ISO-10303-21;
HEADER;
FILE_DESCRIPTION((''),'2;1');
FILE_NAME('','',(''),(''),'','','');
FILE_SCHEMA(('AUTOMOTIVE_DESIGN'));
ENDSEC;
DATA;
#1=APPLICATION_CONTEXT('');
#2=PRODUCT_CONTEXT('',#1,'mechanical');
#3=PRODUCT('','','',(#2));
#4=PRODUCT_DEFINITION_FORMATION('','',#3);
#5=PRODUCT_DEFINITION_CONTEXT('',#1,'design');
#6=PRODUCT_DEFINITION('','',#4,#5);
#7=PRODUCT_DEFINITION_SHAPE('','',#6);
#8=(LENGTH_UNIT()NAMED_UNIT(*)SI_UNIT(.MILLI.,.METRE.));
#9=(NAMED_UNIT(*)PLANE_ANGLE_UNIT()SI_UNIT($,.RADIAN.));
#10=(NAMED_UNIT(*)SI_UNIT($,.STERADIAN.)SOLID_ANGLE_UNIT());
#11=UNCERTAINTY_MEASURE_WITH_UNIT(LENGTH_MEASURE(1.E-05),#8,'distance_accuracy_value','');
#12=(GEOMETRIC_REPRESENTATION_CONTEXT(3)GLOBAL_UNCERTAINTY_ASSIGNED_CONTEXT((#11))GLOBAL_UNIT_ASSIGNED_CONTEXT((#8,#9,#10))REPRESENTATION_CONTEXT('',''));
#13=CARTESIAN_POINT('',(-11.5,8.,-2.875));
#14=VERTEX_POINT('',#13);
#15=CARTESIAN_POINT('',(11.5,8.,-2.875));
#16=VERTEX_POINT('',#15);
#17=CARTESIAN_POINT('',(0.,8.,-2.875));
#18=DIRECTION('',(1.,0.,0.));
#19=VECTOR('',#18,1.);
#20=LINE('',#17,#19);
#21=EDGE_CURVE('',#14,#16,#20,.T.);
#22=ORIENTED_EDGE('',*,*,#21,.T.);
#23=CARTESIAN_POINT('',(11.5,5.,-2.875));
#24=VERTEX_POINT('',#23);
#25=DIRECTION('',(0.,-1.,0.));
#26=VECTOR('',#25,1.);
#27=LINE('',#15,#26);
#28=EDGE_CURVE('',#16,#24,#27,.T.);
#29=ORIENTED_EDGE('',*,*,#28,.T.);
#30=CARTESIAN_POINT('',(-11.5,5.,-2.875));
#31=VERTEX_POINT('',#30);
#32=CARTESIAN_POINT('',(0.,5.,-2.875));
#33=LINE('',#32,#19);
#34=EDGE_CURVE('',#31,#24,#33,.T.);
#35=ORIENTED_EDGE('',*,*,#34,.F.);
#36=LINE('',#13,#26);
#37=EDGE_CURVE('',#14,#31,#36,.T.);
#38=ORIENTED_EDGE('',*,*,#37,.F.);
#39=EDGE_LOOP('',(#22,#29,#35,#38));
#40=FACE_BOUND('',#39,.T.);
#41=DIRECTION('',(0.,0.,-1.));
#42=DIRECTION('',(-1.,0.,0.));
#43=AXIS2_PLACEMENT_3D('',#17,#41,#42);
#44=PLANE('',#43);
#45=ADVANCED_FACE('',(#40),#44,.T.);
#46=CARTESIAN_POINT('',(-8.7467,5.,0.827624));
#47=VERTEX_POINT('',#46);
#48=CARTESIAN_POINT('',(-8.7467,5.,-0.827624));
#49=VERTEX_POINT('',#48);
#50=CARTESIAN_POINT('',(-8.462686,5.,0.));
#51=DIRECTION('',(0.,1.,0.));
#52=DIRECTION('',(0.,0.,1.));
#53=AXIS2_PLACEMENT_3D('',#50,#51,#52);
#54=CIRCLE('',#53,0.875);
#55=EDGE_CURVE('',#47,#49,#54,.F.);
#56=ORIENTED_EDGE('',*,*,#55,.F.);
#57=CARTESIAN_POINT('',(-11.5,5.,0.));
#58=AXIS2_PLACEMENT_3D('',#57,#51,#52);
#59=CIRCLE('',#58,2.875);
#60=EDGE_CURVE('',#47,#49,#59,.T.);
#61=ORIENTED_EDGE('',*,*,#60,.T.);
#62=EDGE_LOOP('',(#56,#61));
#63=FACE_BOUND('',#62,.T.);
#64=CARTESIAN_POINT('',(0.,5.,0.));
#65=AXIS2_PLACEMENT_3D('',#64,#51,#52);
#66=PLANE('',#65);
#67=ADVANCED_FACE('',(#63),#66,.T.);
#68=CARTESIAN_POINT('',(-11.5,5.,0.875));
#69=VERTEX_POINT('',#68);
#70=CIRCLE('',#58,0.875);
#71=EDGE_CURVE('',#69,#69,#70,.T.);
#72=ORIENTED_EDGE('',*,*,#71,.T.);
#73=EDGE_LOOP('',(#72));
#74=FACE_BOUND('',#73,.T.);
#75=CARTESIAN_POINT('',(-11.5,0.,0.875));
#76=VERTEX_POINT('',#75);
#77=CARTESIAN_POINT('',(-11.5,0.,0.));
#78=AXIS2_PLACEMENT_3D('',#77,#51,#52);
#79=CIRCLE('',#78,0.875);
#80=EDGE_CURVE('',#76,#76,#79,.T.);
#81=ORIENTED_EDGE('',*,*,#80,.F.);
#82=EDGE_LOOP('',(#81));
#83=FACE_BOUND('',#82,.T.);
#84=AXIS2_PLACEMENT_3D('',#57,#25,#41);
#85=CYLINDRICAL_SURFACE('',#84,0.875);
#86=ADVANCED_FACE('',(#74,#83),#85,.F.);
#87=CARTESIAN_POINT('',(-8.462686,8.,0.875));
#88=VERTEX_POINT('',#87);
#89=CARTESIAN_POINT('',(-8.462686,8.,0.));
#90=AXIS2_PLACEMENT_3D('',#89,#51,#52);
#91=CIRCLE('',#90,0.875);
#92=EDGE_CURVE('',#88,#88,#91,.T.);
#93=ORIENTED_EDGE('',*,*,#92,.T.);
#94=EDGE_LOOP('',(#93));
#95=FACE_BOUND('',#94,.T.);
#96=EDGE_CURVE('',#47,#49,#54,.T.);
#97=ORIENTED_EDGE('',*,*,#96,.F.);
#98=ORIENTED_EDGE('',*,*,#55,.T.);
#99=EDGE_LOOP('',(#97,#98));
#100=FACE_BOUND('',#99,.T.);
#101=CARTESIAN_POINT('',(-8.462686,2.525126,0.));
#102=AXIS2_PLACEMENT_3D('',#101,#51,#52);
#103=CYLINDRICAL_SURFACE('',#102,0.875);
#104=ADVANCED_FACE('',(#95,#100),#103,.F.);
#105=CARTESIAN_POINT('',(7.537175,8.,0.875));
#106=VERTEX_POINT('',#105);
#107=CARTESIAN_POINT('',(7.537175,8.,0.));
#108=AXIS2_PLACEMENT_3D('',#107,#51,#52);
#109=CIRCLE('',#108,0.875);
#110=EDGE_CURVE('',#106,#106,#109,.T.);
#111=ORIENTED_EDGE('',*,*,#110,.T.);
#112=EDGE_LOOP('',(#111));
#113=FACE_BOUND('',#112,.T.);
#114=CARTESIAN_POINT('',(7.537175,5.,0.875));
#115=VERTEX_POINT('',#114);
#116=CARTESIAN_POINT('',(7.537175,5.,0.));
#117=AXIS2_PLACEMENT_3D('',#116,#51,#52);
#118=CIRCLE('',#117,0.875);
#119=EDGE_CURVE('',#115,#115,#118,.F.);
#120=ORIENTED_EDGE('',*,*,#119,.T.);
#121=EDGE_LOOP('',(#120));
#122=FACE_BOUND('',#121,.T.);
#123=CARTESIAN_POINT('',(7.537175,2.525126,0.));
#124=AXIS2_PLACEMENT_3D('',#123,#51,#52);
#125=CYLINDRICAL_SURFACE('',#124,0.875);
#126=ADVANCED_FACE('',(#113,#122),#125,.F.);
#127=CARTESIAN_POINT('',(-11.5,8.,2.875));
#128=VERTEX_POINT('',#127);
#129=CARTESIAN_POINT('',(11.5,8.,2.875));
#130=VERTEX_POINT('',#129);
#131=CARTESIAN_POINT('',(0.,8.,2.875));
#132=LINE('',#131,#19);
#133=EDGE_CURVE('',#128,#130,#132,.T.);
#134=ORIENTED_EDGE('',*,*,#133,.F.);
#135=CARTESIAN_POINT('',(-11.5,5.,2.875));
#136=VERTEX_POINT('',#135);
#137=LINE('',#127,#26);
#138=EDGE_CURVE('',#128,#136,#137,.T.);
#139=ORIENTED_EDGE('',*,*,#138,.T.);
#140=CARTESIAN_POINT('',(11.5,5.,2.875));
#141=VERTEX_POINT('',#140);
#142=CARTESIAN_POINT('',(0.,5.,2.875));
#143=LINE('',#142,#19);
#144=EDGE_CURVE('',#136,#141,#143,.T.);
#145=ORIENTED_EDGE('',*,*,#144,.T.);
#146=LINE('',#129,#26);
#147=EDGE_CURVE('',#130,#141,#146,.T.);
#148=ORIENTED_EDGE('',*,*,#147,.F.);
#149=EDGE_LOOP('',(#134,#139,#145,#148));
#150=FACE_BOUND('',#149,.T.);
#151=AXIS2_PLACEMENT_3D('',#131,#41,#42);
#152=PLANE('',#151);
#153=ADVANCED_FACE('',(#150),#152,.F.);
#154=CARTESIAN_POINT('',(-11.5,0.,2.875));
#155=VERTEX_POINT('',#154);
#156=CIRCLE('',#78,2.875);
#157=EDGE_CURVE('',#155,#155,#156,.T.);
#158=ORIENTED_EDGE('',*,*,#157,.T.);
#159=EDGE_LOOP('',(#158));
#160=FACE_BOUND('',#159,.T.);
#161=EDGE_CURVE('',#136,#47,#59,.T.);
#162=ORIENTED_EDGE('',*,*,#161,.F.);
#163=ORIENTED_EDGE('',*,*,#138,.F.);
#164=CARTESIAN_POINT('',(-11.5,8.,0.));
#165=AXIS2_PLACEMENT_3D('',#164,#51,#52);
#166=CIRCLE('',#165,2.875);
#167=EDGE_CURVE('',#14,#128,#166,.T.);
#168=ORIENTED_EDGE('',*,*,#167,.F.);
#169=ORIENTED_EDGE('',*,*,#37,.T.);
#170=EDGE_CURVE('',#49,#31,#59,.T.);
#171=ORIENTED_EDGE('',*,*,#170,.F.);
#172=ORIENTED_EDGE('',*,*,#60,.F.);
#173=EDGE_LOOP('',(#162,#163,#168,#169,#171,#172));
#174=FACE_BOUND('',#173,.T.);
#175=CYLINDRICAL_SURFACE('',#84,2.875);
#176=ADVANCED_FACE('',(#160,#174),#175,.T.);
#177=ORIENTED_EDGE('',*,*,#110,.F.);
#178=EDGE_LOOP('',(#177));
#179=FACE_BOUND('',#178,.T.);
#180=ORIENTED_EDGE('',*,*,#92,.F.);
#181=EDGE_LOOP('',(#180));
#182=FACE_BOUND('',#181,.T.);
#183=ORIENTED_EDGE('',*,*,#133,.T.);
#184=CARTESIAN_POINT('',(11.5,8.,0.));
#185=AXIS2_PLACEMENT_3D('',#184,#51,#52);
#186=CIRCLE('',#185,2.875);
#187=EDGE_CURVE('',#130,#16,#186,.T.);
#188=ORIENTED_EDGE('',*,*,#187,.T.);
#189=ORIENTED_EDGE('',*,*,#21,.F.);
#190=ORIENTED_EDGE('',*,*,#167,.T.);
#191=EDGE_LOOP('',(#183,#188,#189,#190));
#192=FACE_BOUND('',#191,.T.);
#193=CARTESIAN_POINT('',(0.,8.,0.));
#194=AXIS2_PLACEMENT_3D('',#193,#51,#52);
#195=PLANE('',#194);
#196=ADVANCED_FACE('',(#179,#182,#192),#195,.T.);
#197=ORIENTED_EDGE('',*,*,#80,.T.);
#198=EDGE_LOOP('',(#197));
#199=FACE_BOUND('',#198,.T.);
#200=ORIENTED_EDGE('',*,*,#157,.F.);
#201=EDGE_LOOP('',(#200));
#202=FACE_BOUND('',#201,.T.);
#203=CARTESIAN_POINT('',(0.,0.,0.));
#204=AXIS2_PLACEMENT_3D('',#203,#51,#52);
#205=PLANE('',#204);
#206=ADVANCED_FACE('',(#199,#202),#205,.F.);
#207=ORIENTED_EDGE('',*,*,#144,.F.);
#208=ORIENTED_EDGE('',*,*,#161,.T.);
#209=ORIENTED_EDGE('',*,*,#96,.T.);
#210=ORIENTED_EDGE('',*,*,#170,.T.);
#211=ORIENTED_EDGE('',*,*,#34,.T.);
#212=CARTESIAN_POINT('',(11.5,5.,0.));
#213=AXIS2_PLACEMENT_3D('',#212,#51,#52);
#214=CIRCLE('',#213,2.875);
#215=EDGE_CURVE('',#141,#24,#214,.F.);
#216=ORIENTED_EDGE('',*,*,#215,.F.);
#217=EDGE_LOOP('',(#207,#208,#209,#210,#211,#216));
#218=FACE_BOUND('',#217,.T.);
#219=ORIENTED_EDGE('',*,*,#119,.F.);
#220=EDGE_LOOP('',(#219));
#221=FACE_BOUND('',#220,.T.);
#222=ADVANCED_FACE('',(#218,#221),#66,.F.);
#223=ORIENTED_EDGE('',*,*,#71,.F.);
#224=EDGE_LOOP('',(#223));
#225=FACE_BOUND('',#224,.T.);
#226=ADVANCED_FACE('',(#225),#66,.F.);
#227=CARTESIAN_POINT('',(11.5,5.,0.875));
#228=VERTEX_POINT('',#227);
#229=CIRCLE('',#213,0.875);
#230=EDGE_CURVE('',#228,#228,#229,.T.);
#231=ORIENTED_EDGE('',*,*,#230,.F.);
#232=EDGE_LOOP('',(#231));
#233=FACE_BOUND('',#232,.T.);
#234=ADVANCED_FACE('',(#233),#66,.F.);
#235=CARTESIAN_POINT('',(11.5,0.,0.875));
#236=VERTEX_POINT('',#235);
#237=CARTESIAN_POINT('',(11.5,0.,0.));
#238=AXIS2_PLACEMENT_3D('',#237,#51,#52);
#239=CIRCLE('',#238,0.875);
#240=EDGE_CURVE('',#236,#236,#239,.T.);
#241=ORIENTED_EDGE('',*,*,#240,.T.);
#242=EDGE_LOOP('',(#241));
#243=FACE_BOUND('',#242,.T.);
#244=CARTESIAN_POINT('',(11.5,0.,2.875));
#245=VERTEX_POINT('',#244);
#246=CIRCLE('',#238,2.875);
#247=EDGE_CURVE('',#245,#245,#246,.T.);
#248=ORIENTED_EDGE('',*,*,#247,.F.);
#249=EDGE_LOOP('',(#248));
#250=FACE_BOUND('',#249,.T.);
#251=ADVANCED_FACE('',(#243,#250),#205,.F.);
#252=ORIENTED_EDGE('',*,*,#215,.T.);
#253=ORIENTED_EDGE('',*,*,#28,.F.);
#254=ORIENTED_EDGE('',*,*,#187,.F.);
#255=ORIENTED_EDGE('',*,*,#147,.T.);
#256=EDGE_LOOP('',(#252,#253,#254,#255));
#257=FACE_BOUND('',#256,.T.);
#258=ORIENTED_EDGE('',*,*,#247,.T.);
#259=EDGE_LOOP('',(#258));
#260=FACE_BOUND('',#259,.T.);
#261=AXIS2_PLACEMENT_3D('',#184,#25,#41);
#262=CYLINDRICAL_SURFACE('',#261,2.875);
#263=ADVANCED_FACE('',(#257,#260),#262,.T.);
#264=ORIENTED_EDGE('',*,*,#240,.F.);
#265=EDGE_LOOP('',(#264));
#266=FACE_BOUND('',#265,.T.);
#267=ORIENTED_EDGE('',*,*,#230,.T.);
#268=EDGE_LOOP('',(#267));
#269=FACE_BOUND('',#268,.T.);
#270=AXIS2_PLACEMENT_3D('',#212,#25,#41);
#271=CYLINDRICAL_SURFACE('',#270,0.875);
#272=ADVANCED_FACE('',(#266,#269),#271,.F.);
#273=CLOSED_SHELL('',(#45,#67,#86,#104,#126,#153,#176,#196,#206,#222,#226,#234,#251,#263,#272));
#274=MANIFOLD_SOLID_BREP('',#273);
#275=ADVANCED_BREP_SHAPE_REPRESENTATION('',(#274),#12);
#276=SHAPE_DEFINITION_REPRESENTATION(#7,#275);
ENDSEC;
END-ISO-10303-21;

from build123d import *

# Parameters (mm, degrees)
SKETCH1_R             = 2.875
SKETCH1_R_2           = 0.875
BOSS_EXTRUDE1_DEPTH   = 5
BOSS_EXTRUDE1_2_DEPTH = 5
BOSS_EXTRUDE2_DEPTH   = 3
SKETCH3_R             = 0.875
CUT_EXTRUDE1_DEPTH    = 3


with BuildPart() as part:
    # Sketch1 → Boss-Extrude1 (new body)
    with BuildSketch(Plane(origin=(0, 0, 0), x_dir=(1, 0, 0), z_dir=(0, 1, 0))):
        with Locations((-11.5, 0)):
            Circle(SKETCH1_R)
        with Locations((-11.5, 0)):
            Circle(SKETCH1_R_2, mode=Mode.SUBTRACT)
    extrude(amount=BOSS_EXTRUDE1_DEPTH)



with BuildPart() as body_2:
    # Sketch1 → Boss-Extrude1 2 (new body)
    with BuildSketch(Plane(origin=(0, 0, 0), x_dir=(1, 0, 0), z_dir=(0, 1, 0))):
        with Locations((11.5, 0)):
            Circle(SKETCH1_R)
        with Locations((11.5, 0)):
            Circle(SKETCH1_R_2, mode=Mode.SUBTRACT)
    extrude(amount=BOSS_EXTRUDE1_2_DEPTH)


with BuildPart() as part_1:
    add(part.part)

    add(body_2.part)  # Boss-Extrude2 merges body 2
    # Sketch2 → Boss-Extrude2 (add)
    with BuildSketch(Plane(origin=(0, 5, 0), x_dir=(1, 0, 0), z_dir=(0, 1, 0))):
        with BuildLine():
            ThreePointArc((-10.625, 0), (-10.881281566, 0.618718434), (-11.5, 0.875))
            Line((-11.5, 0.875), (-11.5, -0.875))
            ThreePointArc((-11.5, -0.875), (-10.881281566, -0.618718434), (-10.625, 0))
        make_face()
        with BuildLine():
            Line((-11.5, -0.875), (-11.5, 0.875))
            ThreePointArc((-11.5, 0.875), (-12.375, 0), (-11.5, -0.875))
        make_face()
        with BuildLine():
            ThreePointArc((-8.625, 0), (-9.467068004, 2.032931996), (-11.5, 2.875))
            Line((-11.5, 2.875), (-11.5, 0.875))
            ThreePointArc((-11.5, 0.875), (-10.881281566, 0.618718434), (-10.625, 0))
            ThreePointArc((-10.625, 0), (-10.881281566, -0.618718434), (-11.5, -0.875))
            Line((-11.5, -0.875), (-11.5, -2.875))
            ThreePointArc((-11.5, -2.875), (-9.467068004, -2.032931996), (-8.625, 0))
        make_face()
        with BuildLine():
            Line((-11.5, 0.875), (-11.5, 2.875))
            ThreePointArc((-11.5, 2.875), (-14.375, 0), (-11.5, -2.875))
            Line((-11.5, -2.875), (-11.5, -0.875))
            ThreePointArc((-11.5, -0.875), (-12.375, 0), (-11.5, 0.875))
        make_face()
        with BuildLine():
            Line((11.5, 2.875), (-11.5, 2.875))
            ThreePointArc((-11.5, 2.875), (-9.467068004, 2.032931996), (-8.625, 0))
            ThreePointArc((-8.625, 0), (-9.467068004, -2.032931996), (-11.5, -2.875))
            Line((-11.5, -2.875), (11.5, -2.875))
            ThreePointArc((11.5, -2.875), (8.625, 0), (11.5, 2.875))
        make_face()
        with BuildLine():
            ThreePointArc((14.375, 0), (13.532931996, 2.032931996), (11.5, 2.875))
            Line((11.5, 2.875), (11.5, -2.875))
            ThreePointArc((11.5, -2.875), (13.532931996, -2.032931996), (14.375, 0))
        make_face()
        with BuildLine():
            Line((11.5, -2.875), (11.5, 2.875))
            ThreePointArc((11.5, 2.875), (8.625, 0), (11.5, -2.875))
        make_face()
    extrude(amount=BOSS_EXTRUDE2_DEPTH)

    # Sketch3 → Cut-Extrude1 (cut)
    with BuildSketch(Plane(origin=(0, 8, 0), x_dir=(1, 0, 0), z_dir=(0, 1, 0))):
        with Locations((-8.4626864, 0)):
            Circle(SKETCH3_R)
        with Locations((7.537175494, 0)):
            Circle(SKETCH3_R)
    extrude(amount=-CUT_EXTRUDE1_DEPTH, mode=Mode.SUBTRACT)


solid = part_1.part
